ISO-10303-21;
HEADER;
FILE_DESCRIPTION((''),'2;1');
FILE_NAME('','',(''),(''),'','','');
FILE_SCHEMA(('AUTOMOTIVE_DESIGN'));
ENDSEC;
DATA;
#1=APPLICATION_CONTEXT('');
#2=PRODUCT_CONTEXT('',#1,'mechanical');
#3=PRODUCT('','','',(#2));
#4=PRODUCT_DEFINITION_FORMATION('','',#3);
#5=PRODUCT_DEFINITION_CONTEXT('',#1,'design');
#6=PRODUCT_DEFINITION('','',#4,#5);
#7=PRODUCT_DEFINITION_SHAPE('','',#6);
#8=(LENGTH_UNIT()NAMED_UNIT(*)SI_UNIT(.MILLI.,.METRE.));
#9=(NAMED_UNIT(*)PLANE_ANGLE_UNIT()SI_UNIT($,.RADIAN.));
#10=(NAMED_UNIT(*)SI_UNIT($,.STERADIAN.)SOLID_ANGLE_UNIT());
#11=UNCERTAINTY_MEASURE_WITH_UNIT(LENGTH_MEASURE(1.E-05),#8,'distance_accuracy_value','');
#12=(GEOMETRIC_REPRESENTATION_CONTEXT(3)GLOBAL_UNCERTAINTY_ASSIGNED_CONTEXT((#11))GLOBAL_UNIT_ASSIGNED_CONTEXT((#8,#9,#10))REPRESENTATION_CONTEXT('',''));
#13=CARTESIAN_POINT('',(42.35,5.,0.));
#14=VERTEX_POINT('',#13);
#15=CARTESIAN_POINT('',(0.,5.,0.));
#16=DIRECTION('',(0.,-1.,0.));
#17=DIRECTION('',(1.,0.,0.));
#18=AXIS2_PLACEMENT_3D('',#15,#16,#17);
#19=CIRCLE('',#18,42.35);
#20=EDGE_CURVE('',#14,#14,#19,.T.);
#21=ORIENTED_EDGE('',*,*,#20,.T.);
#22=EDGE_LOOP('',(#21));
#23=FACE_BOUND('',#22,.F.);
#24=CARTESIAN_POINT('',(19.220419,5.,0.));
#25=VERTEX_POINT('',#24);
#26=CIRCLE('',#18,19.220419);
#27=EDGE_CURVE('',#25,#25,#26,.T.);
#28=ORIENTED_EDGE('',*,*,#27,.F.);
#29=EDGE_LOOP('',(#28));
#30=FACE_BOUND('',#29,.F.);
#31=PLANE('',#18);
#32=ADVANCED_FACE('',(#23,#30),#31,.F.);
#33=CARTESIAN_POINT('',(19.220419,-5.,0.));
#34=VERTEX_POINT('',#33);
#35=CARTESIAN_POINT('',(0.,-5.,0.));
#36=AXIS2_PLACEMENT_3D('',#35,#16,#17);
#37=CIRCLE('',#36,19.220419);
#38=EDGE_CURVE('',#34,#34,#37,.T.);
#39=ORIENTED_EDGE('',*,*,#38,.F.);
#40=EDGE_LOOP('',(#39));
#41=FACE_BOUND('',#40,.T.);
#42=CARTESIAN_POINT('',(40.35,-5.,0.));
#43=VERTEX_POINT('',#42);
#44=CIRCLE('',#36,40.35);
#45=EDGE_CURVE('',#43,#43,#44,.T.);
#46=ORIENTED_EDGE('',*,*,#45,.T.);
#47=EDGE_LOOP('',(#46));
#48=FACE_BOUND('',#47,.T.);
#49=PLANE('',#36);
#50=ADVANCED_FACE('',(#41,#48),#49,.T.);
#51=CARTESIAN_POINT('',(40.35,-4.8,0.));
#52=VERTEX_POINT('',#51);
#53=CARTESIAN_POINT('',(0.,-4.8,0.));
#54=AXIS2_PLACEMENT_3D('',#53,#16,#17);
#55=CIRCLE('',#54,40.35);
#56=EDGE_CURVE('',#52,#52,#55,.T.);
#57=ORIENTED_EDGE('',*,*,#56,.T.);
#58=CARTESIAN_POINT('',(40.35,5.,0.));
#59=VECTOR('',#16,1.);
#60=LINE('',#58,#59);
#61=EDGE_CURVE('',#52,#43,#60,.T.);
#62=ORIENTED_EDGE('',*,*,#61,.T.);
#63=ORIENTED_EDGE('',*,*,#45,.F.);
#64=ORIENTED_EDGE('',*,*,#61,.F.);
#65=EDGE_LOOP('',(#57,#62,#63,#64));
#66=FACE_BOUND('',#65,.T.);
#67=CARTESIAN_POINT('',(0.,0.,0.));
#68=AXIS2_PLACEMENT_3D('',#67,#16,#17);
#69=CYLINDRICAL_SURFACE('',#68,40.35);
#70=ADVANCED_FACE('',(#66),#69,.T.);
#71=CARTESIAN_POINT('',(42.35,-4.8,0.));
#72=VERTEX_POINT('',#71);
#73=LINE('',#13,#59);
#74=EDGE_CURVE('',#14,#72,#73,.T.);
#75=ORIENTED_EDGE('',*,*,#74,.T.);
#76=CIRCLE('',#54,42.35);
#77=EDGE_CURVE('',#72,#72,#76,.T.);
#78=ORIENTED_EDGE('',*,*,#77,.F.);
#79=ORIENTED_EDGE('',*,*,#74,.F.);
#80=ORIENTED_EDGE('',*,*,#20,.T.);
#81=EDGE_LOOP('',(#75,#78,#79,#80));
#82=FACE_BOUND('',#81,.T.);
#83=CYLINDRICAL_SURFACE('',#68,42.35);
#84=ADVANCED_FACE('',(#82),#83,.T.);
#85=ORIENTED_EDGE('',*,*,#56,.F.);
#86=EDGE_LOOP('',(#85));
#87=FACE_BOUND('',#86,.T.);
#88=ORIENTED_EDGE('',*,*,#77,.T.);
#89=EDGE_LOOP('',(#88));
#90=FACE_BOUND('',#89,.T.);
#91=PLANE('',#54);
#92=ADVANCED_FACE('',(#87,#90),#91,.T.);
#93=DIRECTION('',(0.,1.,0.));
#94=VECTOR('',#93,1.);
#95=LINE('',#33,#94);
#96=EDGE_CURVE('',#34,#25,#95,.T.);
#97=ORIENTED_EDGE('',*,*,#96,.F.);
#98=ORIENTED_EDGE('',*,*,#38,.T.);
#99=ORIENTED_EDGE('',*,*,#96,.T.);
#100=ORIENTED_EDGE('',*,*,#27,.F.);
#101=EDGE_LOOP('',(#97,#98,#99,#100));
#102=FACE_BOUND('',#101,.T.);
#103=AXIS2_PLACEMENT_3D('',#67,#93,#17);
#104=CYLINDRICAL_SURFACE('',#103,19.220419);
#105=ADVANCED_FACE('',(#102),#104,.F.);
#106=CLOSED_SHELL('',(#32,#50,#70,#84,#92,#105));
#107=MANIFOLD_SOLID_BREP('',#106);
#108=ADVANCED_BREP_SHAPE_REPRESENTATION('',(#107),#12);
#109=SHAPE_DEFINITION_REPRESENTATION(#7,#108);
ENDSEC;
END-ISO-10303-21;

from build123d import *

# Parameters (mm, degrees)
F0_R          = 40.35
F0_R_2        = 19.220419
F1_DEPTH      = 5
F0_R_3        = 42.35
F2_DEPTH      = 4.8
F2_DEPTH_BACK = 5


with BuildPart() as f1:
    # F0 (on Front) → F1 (new body, symmetric)
    with BuildSketch(Plane.XZ):
        Circle(F0_R)
        Circle(F0_R_2, mode=Mode.SUBTRACT)
    extrude(amount=F1_DEPTH, both=True)

    # F0 (on Front) → F2 (join, two sides)
    with BuildSketch(Plane.XZ) as f2_sk:
        Circle(F0_R_3)
        Circle(F0_R, mode=Mode.SUBTRACT)
    extrude(amount=F2_DEPTH)
    extrude(f2_sk.sketch, amount=-F2_DEPTH_BACK)


solid = f1.part
